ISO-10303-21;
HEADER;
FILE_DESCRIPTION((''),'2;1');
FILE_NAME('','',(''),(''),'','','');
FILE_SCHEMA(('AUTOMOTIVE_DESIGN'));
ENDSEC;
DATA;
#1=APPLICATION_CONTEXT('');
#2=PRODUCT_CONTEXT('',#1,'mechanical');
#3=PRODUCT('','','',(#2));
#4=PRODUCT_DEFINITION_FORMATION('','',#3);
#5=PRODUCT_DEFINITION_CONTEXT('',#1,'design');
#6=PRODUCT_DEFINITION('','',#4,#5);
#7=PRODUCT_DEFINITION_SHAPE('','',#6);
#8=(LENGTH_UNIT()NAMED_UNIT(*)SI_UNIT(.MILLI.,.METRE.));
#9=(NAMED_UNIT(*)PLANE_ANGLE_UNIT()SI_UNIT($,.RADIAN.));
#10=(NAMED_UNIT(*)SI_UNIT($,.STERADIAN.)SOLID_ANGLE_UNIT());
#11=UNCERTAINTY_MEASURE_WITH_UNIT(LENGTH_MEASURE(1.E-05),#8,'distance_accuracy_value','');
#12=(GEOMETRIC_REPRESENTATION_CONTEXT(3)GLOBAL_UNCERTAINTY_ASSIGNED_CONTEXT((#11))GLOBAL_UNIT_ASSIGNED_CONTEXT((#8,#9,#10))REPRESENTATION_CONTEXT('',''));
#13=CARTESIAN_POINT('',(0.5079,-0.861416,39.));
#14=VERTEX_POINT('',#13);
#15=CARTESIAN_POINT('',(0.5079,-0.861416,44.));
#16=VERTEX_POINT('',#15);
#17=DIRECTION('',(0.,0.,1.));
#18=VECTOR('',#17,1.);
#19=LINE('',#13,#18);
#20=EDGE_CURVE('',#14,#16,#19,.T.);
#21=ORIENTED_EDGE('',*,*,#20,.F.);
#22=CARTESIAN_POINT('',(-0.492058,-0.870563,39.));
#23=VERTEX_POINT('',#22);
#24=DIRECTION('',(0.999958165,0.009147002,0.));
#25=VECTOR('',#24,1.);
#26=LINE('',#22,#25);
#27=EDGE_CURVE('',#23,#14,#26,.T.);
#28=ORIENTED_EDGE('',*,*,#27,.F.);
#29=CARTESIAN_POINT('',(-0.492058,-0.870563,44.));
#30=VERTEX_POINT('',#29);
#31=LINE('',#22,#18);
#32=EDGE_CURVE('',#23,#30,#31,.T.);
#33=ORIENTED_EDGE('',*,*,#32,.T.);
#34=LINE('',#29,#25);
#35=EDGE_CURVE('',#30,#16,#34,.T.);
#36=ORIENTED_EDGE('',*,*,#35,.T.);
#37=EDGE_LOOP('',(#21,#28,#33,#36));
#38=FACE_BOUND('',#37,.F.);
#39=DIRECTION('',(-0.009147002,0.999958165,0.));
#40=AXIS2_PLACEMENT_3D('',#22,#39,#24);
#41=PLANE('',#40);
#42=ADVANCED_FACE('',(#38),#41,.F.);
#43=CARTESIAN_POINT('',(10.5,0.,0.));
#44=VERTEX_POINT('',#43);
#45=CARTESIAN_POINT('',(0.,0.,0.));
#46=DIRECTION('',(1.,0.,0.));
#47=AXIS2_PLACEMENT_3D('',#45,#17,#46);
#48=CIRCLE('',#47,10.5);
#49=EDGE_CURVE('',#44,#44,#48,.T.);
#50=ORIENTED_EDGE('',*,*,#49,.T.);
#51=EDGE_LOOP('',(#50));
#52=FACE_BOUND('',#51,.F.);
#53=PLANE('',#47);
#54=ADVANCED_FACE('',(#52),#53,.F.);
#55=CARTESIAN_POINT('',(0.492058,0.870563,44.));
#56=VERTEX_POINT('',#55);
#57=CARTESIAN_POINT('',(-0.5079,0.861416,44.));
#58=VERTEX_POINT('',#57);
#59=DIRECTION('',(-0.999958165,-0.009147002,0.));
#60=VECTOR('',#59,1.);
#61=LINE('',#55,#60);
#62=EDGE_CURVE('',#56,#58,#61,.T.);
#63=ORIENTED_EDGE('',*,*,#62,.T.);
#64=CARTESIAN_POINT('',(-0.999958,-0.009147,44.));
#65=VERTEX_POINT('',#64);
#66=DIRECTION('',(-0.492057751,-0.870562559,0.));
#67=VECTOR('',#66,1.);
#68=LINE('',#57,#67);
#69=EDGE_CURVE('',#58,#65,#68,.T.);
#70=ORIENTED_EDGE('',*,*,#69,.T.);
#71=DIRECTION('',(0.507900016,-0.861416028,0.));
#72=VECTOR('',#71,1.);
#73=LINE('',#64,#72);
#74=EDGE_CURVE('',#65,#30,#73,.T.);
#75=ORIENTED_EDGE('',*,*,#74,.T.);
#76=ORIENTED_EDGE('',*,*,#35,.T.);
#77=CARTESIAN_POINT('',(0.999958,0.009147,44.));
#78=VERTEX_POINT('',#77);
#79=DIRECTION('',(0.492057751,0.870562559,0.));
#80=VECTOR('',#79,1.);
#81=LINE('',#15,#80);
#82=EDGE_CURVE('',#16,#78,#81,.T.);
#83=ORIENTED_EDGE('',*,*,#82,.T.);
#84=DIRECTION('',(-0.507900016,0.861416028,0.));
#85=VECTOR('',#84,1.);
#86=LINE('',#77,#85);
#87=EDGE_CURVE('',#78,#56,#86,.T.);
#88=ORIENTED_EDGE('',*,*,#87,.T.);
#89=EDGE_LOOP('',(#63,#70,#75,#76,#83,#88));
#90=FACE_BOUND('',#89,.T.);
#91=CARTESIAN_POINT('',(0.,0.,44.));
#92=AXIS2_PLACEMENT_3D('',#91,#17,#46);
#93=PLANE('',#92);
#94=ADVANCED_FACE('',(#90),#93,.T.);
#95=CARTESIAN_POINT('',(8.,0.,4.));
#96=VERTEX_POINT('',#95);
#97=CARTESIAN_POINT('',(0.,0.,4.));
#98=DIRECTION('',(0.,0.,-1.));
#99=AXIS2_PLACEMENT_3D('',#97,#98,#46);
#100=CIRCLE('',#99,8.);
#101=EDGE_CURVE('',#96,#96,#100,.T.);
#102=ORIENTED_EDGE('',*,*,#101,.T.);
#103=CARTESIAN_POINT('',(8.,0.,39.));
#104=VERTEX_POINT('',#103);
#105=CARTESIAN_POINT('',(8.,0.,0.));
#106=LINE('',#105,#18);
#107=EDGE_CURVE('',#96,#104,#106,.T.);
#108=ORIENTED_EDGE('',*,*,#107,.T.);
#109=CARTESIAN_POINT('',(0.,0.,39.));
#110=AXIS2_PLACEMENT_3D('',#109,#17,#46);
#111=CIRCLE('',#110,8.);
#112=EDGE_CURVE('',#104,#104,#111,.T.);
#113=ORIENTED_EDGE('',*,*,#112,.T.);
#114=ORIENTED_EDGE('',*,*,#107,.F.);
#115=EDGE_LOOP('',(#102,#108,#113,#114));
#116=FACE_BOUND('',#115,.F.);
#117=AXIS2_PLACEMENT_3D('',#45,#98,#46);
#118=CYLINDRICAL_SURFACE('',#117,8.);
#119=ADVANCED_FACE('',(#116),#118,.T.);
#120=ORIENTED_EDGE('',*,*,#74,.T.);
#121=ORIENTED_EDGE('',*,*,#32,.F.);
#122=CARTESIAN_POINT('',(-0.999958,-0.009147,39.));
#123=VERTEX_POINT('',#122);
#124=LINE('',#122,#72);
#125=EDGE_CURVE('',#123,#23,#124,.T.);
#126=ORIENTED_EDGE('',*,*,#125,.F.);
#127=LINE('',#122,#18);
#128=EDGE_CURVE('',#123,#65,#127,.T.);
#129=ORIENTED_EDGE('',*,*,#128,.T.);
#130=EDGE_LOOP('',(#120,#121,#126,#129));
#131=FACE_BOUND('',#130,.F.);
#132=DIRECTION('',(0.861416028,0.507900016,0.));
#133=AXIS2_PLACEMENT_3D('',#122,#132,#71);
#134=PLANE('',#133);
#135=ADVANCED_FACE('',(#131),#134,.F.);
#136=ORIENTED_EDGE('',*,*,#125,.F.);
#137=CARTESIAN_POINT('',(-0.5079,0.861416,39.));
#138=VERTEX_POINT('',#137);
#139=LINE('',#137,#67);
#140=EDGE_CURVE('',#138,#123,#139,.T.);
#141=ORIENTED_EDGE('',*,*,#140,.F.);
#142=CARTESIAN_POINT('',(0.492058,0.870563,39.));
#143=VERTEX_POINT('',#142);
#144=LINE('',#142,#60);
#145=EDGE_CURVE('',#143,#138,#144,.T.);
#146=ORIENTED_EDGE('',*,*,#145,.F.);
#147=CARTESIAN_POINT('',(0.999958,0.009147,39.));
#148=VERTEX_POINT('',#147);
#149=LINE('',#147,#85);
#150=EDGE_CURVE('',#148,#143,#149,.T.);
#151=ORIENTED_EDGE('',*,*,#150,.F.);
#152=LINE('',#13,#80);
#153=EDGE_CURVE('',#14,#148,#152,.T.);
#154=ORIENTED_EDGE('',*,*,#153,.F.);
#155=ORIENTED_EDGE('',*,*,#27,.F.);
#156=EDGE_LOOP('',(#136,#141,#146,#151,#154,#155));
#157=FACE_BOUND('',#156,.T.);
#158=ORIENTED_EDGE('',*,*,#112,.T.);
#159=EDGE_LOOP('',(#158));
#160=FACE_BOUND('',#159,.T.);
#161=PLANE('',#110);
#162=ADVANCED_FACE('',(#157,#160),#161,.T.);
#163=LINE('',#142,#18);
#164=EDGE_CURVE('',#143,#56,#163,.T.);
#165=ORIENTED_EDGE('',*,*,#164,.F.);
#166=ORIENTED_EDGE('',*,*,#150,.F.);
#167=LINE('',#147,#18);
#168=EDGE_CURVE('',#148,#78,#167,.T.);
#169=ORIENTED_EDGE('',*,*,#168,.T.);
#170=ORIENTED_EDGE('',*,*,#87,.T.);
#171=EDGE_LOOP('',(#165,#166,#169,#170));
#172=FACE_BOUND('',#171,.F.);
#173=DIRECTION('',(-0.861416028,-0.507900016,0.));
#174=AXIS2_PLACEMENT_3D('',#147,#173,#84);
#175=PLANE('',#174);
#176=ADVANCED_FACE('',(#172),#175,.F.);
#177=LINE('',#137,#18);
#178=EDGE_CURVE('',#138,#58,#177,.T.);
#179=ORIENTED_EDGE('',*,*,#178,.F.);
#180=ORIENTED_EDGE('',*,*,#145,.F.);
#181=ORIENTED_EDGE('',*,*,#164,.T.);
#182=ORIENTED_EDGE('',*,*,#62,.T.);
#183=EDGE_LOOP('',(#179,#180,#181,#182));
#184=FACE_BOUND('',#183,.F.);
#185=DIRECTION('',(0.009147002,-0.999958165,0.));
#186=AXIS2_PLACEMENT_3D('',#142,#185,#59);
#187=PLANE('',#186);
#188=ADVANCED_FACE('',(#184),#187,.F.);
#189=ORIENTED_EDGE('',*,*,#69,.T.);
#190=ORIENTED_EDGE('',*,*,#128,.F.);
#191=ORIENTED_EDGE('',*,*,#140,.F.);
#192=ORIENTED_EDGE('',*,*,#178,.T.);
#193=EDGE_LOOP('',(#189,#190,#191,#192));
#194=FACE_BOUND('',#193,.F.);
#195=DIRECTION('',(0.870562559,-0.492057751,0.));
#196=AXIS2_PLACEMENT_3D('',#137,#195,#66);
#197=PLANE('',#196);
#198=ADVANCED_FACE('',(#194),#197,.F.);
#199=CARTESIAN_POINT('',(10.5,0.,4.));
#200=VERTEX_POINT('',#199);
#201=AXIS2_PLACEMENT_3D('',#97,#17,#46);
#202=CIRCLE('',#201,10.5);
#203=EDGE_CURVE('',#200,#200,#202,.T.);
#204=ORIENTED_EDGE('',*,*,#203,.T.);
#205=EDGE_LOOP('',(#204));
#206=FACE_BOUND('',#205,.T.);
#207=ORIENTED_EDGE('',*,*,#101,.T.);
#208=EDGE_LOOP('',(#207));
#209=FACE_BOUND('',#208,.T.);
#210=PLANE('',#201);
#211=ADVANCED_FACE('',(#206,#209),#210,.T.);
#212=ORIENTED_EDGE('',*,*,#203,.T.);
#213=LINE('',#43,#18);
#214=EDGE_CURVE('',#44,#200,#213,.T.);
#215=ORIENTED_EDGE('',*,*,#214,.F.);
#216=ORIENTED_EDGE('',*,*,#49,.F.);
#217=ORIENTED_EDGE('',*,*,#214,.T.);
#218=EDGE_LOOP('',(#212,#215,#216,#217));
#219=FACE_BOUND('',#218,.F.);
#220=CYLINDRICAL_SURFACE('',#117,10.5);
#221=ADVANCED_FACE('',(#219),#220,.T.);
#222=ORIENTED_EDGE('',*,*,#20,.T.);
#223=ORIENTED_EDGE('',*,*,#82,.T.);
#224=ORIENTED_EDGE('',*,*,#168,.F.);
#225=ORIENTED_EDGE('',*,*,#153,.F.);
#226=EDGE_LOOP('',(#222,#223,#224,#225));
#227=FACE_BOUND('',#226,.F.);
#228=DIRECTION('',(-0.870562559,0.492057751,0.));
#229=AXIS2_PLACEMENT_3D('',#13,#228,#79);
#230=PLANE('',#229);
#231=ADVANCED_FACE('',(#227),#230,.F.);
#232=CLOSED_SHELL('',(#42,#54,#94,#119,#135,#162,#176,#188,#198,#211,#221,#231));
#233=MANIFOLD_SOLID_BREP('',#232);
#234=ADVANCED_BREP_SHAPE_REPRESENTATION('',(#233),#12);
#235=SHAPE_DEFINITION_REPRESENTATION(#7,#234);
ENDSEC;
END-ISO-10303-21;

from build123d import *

# Parameters (mm, degrees)
F0_R     = 10.5
F1_DEPTH = 4
F2_R     = 8
F3_DEPTH = 39
F5_DEPTH = 5


with BuildPart() as f1:
    # F0 (on Top) → F1 (new body)
    with BuildSketch(Plane.XY):
        Circle(F0_R)
    extrude(amount=F1_DEPTH)

    # F2 (on Top) → F3 (join)
    with BuildSketch(Plane.XY):
        Circle(F2_R)
    extrude(amount=F3_DEPTH)

    # F4 (on face) → F5 (join)
    with BuildSketch(Plane.XY.offset(39)):
        Polygon((0.5079, -0.861416), (0.999958, 0.009147), (0.492058, 0.870563), (-0.5079, 0.861416), (-0.999958, -0.009147), (-0.492058, -0.870563), align=None)
    extrude(amount=F5_DEPTH)


solid = f1.part
